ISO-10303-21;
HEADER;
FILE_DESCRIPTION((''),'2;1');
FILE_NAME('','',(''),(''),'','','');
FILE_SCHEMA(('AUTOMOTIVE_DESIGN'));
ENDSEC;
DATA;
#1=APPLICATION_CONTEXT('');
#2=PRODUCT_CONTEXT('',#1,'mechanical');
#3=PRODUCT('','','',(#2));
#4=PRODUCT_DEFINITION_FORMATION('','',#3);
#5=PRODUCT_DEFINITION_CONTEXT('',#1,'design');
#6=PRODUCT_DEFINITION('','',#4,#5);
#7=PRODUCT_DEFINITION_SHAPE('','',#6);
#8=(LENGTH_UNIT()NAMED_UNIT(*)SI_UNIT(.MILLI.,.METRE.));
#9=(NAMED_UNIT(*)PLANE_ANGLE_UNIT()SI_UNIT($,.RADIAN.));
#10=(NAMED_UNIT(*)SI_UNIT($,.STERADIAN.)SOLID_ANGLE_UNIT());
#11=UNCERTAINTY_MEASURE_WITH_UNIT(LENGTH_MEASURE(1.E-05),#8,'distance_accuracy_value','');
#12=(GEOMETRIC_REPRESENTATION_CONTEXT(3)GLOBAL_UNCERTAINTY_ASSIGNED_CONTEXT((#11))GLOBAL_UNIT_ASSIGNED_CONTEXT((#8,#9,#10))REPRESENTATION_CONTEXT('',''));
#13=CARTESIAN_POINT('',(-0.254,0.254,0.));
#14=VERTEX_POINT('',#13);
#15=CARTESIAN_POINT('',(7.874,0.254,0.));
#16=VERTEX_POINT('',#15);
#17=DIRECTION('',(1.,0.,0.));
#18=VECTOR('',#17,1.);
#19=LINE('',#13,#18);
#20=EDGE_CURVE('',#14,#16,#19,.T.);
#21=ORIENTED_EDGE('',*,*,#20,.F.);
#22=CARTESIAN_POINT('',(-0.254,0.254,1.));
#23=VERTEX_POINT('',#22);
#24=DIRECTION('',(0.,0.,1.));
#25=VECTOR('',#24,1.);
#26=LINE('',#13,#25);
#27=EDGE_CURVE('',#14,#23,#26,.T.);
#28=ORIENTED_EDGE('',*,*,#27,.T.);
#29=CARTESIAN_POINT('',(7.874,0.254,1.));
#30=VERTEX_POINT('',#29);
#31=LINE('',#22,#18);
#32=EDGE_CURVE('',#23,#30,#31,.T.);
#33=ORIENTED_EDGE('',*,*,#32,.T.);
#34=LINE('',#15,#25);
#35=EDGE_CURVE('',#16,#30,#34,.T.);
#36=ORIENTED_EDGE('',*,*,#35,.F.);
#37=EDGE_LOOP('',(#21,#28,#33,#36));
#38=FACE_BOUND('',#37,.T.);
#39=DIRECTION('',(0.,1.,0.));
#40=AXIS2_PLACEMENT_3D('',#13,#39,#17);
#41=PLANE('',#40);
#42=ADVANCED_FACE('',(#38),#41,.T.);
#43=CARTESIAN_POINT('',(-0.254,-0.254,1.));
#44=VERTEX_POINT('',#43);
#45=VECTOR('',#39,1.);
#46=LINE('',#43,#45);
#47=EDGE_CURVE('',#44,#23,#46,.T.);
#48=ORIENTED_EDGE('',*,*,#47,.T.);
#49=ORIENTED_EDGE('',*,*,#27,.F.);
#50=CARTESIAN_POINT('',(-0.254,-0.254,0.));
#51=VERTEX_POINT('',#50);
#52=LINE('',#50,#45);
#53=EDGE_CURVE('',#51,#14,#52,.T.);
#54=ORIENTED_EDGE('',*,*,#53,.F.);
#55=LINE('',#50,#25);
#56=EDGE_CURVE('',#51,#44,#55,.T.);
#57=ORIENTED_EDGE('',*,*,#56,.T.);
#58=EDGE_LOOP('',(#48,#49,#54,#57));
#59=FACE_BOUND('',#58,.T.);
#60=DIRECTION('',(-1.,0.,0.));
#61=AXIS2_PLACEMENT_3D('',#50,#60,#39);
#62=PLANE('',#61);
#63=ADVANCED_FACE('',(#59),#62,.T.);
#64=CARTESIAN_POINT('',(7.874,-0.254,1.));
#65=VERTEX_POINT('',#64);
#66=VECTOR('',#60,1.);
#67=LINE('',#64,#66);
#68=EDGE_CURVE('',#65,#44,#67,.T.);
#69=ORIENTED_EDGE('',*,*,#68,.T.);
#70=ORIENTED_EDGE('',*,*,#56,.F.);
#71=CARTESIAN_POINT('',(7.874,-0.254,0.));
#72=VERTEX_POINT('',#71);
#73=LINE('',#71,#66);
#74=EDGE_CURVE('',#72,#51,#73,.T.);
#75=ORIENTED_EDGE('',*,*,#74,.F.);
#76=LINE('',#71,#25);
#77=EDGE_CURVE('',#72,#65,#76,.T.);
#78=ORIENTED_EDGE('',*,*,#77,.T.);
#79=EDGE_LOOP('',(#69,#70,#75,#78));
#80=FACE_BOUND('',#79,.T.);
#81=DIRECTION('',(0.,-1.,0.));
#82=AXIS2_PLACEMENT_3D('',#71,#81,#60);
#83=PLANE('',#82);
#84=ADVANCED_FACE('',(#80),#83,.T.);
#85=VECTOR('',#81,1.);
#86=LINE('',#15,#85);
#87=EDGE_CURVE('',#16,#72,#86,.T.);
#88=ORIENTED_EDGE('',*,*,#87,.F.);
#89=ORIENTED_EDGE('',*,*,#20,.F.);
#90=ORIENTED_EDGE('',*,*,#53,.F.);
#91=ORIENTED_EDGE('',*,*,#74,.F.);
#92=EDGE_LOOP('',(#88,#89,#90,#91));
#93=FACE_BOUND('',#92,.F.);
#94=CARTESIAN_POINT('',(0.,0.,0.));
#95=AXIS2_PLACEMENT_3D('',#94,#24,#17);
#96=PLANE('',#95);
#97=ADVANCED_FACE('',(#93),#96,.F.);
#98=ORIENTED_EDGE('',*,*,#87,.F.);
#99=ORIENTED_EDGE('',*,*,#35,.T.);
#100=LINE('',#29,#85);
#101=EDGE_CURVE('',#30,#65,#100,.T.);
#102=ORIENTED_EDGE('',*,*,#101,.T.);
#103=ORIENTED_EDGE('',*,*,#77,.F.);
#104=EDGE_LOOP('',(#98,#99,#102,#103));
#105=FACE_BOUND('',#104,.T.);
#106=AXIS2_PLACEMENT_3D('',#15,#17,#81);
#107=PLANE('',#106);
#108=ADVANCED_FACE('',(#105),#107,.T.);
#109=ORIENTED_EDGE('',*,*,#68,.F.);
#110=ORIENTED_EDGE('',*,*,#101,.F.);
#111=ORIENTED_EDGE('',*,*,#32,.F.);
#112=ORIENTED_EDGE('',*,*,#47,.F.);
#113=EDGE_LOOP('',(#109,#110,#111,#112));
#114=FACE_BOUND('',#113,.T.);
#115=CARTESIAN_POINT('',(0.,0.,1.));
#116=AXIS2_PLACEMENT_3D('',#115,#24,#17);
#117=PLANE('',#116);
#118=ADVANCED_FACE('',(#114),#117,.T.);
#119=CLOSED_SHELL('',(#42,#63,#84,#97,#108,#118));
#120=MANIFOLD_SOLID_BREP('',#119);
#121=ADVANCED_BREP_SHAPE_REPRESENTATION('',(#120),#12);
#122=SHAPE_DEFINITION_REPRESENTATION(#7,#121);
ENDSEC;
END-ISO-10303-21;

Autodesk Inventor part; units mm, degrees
ref_plane "YZ Plane" through (0, 0, 0) normal (1, 0, 0) x (0, 1, 0)
ref_plane "XZ Plane" through (0, 0, 0) normal (0, 1, 0) x (-1, 0, 0)
ref_plane "XY Plane" through (0, 0, 0) normal (0, 0, 1) x (1, 0, 0)
sketch "1X04_NO_SILK_ALL_ROUND, D0-D3_1X04_NO_SILK_ALL_ROUND_59" plane through (0, 0, 0) normal (0, 0, 1) x (1, 0, 0)
  line L0 (-0.254, 0.254) -> (7.874, 0.254)
  line L1 (7.874, 0.254) -> (7.874, -0.254)
  line L2 (7.874, -0.254) -> (-0.254, -0.254)
  line L3 (-0.254, -0.254) -> (-0.254, 0.254)
extrude "Extrusion1" add sketch "1X04_NO_SILK_ALL_ROUND, D0-D3_1X04_NO_SILK_ALL_ROUND_59" along normal blind 1
properties part number "D0-D3_1X04_NO_SILK_ALL_ROUND"
